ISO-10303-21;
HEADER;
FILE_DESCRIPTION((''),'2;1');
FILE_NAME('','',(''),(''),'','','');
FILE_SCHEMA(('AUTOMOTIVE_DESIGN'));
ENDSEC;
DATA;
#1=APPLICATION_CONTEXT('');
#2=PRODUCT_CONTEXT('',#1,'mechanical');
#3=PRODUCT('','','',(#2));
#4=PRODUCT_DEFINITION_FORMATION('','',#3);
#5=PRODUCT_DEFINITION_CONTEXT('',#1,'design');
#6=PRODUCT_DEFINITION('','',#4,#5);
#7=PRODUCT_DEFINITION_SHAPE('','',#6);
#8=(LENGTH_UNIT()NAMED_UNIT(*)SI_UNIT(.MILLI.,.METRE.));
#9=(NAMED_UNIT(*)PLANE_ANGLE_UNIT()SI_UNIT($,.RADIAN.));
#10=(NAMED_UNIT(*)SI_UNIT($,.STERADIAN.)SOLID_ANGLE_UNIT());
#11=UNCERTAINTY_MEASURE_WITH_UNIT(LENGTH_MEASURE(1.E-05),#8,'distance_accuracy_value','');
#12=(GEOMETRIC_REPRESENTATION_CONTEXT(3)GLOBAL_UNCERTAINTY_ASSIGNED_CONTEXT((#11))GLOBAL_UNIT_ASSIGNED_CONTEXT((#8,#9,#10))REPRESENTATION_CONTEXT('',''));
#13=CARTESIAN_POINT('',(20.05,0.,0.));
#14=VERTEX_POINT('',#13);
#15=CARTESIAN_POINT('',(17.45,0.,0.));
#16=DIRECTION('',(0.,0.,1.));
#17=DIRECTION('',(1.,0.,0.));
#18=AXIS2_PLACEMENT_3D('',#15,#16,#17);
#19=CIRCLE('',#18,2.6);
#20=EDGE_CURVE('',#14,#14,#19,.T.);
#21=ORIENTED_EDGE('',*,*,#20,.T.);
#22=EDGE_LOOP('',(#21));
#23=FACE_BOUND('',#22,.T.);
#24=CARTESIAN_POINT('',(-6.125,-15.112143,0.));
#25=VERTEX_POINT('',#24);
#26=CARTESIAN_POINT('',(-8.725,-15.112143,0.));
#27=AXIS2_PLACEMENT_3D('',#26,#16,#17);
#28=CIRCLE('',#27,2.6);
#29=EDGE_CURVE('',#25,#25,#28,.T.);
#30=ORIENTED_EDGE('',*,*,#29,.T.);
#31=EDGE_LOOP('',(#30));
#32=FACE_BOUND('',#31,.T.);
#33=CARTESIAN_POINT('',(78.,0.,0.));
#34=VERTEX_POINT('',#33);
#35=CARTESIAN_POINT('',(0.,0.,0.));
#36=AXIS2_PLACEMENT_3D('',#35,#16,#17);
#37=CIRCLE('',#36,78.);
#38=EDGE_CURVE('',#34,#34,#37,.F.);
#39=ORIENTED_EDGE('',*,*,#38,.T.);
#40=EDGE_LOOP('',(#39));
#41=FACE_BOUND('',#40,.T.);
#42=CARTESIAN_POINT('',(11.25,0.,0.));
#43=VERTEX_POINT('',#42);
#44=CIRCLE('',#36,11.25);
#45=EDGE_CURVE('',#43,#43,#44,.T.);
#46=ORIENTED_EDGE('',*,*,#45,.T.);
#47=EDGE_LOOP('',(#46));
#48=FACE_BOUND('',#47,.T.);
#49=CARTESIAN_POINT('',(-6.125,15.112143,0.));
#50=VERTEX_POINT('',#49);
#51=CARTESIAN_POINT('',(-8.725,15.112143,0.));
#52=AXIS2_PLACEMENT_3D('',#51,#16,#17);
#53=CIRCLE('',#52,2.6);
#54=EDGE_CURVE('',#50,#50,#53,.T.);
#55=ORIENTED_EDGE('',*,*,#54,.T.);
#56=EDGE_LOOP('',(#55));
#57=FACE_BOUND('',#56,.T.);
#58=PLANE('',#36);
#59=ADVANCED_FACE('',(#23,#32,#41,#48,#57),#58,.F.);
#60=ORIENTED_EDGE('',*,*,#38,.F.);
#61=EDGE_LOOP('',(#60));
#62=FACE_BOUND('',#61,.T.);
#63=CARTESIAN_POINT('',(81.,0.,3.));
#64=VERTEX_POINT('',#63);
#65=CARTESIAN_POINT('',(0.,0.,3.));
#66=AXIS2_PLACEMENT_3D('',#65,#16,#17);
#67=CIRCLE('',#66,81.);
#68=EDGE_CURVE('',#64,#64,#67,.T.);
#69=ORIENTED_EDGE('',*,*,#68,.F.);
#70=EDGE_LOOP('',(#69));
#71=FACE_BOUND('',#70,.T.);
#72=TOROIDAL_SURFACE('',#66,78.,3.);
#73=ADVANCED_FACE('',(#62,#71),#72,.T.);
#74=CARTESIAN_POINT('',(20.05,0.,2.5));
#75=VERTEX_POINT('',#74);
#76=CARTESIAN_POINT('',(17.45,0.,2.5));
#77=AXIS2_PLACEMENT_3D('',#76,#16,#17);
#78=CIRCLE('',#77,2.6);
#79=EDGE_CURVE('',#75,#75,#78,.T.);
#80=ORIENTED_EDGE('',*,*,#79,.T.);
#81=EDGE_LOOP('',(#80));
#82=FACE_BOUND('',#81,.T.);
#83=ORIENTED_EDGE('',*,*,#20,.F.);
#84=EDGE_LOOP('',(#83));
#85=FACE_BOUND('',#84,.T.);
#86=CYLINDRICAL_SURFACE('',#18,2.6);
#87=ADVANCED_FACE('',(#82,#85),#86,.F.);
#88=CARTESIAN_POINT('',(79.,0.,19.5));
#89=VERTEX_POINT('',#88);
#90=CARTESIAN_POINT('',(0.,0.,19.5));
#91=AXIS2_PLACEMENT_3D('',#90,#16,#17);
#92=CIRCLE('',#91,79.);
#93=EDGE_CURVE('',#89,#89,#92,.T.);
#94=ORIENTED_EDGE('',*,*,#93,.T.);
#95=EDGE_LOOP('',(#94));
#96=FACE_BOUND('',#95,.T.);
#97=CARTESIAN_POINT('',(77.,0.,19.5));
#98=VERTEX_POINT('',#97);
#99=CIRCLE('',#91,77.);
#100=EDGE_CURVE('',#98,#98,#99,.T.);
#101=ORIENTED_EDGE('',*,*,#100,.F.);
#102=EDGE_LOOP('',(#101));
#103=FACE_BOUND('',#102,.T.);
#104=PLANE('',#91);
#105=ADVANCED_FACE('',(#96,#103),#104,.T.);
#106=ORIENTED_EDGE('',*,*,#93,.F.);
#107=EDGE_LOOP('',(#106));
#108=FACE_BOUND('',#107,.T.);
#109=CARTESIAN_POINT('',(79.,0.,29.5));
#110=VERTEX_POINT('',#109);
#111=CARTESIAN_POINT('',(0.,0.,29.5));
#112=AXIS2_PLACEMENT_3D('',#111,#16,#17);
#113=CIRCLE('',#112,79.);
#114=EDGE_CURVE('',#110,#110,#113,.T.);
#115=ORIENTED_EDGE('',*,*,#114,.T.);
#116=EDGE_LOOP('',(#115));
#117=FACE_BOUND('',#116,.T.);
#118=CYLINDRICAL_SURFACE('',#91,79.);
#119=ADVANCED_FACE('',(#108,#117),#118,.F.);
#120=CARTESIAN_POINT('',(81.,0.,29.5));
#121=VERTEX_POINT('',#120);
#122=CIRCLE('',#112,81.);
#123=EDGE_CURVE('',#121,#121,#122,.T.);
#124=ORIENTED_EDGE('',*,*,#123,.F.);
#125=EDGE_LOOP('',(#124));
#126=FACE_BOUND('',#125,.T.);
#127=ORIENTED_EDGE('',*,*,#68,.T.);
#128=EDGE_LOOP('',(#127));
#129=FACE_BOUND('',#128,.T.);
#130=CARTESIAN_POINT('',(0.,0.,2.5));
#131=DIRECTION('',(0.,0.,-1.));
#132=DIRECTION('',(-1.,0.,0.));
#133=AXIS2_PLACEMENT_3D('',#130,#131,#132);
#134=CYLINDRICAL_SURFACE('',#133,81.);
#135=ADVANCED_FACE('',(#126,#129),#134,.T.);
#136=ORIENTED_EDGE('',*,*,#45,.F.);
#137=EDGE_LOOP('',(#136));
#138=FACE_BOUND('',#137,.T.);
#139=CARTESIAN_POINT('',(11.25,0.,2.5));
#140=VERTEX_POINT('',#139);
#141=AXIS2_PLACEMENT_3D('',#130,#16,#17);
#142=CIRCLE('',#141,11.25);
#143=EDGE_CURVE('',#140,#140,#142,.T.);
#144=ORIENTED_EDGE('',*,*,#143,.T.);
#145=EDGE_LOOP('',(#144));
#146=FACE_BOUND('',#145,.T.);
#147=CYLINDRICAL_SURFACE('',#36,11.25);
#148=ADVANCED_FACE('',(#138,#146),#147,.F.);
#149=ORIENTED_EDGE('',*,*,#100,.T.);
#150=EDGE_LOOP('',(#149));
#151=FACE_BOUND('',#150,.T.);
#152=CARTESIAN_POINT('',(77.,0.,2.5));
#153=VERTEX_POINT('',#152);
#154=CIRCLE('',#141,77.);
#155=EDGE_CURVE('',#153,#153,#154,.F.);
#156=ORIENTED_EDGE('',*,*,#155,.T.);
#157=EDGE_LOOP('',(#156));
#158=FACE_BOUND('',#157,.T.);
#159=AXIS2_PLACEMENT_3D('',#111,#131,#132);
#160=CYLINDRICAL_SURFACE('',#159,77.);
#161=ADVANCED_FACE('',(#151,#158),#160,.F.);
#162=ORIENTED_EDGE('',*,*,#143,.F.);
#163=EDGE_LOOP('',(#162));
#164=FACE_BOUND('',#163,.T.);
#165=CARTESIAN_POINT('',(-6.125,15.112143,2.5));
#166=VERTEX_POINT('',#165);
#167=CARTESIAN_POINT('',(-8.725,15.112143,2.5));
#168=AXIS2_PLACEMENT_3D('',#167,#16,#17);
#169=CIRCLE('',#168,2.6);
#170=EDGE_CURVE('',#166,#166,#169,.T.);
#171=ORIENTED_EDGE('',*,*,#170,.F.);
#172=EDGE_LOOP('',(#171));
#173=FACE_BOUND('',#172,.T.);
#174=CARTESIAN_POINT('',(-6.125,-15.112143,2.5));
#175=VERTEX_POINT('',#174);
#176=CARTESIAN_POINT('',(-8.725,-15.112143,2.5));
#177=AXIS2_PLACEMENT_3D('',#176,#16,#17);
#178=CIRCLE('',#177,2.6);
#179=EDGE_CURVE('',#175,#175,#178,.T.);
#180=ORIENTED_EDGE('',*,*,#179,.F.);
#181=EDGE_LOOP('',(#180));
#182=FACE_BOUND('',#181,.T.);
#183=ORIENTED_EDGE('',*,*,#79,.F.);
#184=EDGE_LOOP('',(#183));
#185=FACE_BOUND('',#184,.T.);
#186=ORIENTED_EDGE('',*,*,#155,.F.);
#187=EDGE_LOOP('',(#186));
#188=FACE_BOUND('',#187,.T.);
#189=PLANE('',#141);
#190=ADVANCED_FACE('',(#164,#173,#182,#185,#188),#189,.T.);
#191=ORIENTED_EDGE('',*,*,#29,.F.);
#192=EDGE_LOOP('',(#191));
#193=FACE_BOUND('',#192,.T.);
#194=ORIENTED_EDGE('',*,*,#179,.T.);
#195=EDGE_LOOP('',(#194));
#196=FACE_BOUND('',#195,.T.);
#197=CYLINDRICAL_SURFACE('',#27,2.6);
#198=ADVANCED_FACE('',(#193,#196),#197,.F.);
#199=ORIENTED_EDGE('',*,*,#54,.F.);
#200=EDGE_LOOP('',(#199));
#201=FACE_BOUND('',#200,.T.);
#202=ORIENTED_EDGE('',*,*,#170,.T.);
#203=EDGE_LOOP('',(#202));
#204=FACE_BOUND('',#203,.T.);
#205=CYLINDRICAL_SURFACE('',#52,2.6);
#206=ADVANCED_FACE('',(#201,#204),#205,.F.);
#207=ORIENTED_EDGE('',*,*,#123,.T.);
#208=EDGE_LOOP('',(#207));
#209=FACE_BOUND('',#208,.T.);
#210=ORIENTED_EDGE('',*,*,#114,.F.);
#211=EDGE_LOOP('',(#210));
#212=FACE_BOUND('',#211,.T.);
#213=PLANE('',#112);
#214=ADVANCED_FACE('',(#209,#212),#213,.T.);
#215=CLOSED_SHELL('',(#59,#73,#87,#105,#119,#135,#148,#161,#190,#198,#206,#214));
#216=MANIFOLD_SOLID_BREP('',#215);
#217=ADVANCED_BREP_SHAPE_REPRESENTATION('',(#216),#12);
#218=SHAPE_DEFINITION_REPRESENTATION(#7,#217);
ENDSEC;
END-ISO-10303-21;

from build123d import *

# Parameters (mm, degrees)
SKETCH1_R           = 81
BOSS_EXTRUDE1_DEPTH = 2.5
SKETCH2_R           = 11.25
CUT_EXTRUDE1_DEPTH  = 3.5
SKETCH3_R           = 2.6
CUT_EXTRUDE2_DEPTH  = 3.5
SKETCH4_R           = 81
SKETCH4_R_2         = 77
BOSS_EXTRUDE2_DEPTH = 27
SKETCH5_R           = 79
CUT_EXTRUDE3_DEPTH  = 10
FILLET1_R           = 3


with BuildPart() as part:
    # Sketch1 → Boss-Extrude1 (new body)
    with BuildSketch(Plane.XY):
        Circle(SKETCH1_R)
    extrude(amount=BOSS_EXTRUDE1_DEPTH)

    # Sketch2 → Cut-Extrude1 (cut, through all)
    with BuildSketch(Plane.XY.offset(2.5)):
        Circle(SKETCH2_R)
    extrude(amount=-CUT_EXTRUDE1_DEPTH, mode=Mode.SUBTRACT)

    # Sketch3 → Cut-Extrude2 (cut, through all)
    with BuildSketch(Plane.XY.offset(2.5)):
        with Locations((17.45, 0)):
            Circle(SKETCH3_R)
        with Locations((-8.725, 15.112143296)):
            Circle(SKETCH3_R)
        with Locations((-8.725, -15.112143296)):
            Circle(SKETCH3_R)
    extrude(amount=-CUT_EXTRUDE2_DEPTH, mode=Mode.SUBTRACT)

    # Sketch4 → Boss-Extrude2 (add)
    with BuildSketch(Plane.XY.offset(2.5)):
        Circle(SKETCH4_R)
        Circle(SKETCH4_R_2, mode=Mode.SUBTRACT)
    extrude(amount=BOSS_EXTRUDE2_DEPTH)

    # Sketch5 → Cut-Extrude3 (cut)
    with BuildSketch(Plane.XY.offset(29.5)):
        Circle(SKETCH5_R)
    extrude(amount=-CUT_EXTRUDE3_DEPTH, mode=Mode.SUBTRACT)

    # Fillet1
    fillet1_edges = [part.edges().sort_by_distance(p)[0] for p in [
        (-81, 0, 0),
    ]]
    fillet(fillet1_edges, radius=FILLET1_R)


solid = part.part
